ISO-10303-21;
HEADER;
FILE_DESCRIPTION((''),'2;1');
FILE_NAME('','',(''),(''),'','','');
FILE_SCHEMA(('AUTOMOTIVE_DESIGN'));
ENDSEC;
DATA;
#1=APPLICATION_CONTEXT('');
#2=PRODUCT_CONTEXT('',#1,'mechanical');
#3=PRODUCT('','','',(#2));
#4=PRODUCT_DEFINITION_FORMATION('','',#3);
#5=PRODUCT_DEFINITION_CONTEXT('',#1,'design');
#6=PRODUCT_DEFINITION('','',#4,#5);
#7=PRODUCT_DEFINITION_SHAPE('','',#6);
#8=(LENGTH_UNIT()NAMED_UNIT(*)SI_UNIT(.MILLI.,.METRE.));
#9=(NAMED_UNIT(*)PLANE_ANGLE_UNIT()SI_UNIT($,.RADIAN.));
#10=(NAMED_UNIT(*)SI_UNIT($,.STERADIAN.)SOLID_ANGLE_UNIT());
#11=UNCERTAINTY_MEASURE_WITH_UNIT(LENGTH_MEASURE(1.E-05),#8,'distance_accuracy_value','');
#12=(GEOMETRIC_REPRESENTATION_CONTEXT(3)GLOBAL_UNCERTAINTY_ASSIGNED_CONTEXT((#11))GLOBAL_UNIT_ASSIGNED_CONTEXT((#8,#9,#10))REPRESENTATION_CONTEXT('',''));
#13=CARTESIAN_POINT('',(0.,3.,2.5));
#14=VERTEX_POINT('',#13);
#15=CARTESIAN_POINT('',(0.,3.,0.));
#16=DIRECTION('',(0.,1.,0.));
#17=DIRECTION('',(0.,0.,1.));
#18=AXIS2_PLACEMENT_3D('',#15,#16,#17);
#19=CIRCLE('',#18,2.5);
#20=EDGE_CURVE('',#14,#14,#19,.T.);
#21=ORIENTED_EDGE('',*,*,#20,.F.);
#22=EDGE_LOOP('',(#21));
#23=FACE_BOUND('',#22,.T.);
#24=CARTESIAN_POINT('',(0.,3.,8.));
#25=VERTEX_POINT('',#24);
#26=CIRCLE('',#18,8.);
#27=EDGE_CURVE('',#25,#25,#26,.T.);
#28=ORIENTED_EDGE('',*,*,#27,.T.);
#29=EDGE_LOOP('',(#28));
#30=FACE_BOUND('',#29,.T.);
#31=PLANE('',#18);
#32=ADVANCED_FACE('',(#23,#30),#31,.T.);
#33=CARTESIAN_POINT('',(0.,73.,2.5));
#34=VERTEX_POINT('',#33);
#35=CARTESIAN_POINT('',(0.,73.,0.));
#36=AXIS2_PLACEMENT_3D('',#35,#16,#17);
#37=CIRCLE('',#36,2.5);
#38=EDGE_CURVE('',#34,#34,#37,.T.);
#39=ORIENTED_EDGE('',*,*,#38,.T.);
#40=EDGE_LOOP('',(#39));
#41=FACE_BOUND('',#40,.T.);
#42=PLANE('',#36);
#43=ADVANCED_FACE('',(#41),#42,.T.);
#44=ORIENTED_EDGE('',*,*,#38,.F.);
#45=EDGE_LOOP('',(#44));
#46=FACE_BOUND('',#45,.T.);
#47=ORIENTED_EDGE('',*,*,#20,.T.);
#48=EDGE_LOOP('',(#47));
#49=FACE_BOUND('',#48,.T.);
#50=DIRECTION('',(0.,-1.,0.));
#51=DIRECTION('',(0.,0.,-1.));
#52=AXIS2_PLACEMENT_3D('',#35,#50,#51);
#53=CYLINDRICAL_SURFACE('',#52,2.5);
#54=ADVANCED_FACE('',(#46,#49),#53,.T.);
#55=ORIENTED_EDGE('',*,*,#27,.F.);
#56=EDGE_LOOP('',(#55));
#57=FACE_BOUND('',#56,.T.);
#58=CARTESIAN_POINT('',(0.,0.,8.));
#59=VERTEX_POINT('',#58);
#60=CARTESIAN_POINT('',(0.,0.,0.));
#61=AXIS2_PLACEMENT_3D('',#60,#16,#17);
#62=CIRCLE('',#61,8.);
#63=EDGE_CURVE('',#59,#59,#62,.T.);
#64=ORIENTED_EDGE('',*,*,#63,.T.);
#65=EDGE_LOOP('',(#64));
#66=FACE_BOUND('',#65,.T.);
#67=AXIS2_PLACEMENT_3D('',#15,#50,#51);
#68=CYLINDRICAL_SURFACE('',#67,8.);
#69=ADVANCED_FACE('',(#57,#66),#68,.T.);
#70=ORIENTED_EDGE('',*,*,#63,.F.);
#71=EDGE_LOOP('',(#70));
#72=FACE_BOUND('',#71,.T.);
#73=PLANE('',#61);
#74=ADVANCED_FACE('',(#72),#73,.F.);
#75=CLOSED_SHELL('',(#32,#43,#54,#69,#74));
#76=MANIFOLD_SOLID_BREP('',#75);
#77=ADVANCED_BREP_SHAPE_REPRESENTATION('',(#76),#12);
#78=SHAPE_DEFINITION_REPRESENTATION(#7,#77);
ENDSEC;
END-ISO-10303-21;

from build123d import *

# Parameters (mm, degrees)
SKETCH_1_R      = 8
EXTRUDE_1_DEPTH = 3
SKETCH_2_R      = 2.5
EXTRUDE_2_DEPTH = 70


with BuildPart() as part:
    # 草图1 → 凸台-拉伸1 (new body)
    with BuildSketch(Plane(origin=(0, 0, 0), x_dir=(1, 0, 0), z_dir=(0, 1, 0))):
        with Locations(Location((0, 0, 0), (0, 0, 270))):
            Circle(SKETCH_1_R)
    extrude(amount=EXTRUDE_1_DEPTH)

    # 草图2 → 凸台-拉伸2 (add)
    with BuildSketch(Plane(origin=(0, 3, 0), x_dir=(1, 0, 0), z_dir=(0, 1, 0))):
        with Locations(Location((0, 0, 0), (0, 0, 270))):
            Circle(SKETCH_2_R)
    extrude(amount=EXTRUDE_2_DEPTH)


solid = part.part
